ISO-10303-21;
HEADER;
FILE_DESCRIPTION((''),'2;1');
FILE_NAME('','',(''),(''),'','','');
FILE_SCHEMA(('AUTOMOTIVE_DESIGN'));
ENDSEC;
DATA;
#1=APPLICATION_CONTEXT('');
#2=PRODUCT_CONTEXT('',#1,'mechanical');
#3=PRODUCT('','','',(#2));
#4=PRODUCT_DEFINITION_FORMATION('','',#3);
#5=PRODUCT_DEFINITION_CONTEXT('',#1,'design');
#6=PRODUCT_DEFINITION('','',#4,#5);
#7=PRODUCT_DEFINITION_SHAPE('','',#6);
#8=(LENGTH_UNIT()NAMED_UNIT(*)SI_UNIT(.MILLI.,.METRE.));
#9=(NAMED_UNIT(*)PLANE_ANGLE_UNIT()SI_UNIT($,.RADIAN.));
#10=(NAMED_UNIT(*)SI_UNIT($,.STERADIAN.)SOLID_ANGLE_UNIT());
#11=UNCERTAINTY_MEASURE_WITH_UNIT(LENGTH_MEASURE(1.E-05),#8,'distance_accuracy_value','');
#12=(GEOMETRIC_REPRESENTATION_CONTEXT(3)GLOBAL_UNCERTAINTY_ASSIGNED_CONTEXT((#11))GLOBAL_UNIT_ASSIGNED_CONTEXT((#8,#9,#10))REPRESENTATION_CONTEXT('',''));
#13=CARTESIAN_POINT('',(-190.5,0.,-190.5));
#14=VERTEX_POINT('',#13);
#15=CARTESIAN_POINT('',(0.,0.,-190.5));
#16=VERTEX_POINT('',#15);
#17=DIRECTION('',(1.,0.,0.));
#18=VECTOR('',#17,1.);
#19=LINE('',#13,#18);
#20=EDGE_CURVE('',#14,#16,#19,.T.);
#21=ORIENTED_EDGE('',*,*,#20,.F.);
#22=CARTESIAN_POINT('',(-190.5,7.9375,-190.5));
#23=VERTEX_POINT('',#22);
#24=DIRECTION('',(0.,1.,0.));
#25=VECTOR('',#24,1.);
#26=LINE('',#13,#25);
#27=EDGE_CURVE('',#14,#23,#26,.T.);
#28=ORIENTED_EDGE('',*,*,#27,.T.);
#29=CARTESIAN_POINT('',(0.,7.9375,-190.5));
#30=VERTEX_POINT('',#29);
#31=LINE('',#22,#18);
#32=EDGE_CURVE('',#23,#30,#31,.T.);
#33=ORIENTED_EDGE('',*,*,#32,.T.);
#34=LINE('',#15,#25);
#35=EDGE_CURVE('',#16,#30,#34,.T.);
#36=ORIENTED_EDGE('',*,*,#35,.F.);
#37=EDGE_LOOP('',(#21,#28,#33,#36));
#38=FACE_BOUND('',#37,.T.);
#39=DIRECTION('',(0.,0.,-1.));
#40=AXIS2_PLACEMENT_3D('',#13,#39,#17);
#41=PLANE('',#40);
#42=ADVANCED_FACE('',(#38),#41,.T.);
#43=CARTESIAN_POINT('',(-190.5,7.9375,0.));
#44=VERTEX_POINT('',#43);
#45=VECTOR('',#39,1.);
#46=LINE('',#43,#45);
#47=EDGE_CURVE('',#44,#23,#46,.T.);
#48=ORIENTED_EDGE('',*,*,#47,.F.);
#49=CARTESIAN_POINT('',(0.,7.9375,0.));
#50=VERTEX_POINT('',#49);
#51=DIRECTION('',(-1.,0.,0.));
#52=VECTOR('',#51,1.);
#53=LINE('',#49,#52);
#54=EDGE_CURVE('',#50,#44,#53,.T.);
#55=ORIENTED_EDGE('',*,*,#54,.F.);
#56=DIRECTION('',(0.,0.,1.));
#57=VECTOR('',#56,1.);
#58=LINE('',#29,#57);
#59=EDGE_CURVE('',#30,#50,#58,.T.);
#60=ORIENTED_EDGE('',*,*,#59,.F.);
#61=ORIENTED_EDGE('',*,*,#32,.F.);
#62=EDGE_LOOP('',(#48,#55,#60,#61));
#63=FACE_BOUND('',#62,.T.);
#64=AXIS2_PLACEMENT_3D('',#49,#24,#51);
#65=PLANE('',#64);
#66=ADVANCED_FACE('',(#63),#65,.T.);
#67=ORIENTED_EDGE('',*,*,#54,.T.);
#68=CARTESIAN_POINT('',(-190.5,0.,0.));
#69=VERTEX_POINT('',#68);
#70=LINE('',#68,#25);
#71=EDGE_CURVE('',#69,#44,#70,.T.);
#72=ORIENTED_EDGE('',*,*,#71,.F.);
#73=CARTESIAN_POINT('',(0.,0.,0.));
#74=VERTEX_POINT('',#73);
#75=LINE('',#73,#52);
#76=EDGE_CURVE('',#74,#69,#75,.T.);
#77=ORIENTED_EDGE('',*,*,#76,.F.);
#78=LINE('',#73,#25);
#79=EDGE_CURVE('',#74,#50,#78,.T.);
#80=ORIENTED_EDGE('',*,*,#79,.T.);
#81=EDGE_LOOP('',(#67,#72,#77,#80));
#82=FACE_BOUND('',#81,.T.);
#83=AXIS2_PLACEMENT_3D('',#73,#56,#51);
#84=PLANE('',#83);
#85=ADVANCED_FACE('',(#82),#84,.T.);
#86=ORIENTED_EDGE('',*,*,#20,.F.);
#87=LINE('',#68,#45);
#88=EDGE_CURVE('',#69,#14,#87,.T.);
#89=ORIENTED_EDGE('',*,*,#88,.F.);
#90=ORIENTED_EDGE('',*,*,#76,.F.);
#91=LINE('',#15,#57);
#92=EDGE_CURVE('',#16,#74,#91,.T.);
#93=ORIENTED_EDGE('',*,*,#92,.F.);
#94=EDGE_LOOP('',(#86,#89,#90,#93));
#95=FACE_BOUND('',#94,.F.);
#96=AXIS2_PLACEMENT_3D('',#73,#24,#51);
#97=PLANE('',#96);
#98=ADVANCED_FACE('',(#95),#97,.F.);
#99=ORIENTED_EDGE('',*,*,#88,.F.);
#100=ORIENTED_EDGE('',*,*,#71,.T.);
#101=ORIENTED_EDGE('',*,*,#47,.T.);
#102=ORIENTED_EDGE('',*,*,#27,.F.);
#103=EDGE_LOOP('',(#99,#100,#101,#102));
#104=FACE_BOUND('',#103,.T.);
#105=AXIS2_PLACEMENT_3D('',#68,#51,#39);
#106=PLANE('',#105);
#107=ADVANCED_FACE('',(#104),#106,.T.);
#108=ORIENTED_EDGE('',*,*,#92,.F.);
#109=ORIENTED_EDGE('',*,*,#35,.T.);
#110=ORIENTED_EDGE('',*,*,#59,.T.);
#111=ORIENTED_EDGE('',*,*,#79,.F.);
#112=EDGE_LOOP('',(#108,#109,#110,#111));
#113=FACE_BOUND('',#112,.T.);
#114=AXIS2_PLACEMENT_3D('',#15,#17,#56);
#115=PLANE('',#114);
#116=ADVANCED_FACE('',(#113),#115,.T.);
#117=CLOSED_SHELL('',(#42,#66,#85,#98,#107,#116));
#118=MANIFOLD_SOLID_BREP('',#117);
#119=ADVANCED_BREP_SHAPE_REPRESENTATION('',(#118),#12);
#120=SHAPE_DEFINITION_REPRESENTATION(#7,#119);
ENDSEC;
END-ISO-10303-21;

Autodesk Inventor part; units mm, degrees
ref_plane "YZ Plane" through (0, 0, 0) normal (1, 0, 0) x (0, 1, 0)
ref_plane "XZ Plane" through (0, 0, 0) normal (0, 1, 0) x (-1, 0, 0)
ref_plane "XY Plane" through (0, 0, 0) normal (0, 0, 1) x (1, 0, 0)
sketch "Sketch1" plane through (0, 0, 0) normal (0, 1, 0) x (-1, 0, 0)
  line L0 (0, 0) -> (190.5, 0)
  line L1 (190.5, 0) -> (190.5, -190.5)
  line L2 (190.5, -190.5) -> (0, -190.5)
  line L3 (0, -190.5) -> (0, 0)
  dimension "d0" = 190.5
  dimension "d1" = 190.5
extrude "Extrusion1" add sketch "Sketch1" along normal blind 7.9375
properties part number "Part_B"
